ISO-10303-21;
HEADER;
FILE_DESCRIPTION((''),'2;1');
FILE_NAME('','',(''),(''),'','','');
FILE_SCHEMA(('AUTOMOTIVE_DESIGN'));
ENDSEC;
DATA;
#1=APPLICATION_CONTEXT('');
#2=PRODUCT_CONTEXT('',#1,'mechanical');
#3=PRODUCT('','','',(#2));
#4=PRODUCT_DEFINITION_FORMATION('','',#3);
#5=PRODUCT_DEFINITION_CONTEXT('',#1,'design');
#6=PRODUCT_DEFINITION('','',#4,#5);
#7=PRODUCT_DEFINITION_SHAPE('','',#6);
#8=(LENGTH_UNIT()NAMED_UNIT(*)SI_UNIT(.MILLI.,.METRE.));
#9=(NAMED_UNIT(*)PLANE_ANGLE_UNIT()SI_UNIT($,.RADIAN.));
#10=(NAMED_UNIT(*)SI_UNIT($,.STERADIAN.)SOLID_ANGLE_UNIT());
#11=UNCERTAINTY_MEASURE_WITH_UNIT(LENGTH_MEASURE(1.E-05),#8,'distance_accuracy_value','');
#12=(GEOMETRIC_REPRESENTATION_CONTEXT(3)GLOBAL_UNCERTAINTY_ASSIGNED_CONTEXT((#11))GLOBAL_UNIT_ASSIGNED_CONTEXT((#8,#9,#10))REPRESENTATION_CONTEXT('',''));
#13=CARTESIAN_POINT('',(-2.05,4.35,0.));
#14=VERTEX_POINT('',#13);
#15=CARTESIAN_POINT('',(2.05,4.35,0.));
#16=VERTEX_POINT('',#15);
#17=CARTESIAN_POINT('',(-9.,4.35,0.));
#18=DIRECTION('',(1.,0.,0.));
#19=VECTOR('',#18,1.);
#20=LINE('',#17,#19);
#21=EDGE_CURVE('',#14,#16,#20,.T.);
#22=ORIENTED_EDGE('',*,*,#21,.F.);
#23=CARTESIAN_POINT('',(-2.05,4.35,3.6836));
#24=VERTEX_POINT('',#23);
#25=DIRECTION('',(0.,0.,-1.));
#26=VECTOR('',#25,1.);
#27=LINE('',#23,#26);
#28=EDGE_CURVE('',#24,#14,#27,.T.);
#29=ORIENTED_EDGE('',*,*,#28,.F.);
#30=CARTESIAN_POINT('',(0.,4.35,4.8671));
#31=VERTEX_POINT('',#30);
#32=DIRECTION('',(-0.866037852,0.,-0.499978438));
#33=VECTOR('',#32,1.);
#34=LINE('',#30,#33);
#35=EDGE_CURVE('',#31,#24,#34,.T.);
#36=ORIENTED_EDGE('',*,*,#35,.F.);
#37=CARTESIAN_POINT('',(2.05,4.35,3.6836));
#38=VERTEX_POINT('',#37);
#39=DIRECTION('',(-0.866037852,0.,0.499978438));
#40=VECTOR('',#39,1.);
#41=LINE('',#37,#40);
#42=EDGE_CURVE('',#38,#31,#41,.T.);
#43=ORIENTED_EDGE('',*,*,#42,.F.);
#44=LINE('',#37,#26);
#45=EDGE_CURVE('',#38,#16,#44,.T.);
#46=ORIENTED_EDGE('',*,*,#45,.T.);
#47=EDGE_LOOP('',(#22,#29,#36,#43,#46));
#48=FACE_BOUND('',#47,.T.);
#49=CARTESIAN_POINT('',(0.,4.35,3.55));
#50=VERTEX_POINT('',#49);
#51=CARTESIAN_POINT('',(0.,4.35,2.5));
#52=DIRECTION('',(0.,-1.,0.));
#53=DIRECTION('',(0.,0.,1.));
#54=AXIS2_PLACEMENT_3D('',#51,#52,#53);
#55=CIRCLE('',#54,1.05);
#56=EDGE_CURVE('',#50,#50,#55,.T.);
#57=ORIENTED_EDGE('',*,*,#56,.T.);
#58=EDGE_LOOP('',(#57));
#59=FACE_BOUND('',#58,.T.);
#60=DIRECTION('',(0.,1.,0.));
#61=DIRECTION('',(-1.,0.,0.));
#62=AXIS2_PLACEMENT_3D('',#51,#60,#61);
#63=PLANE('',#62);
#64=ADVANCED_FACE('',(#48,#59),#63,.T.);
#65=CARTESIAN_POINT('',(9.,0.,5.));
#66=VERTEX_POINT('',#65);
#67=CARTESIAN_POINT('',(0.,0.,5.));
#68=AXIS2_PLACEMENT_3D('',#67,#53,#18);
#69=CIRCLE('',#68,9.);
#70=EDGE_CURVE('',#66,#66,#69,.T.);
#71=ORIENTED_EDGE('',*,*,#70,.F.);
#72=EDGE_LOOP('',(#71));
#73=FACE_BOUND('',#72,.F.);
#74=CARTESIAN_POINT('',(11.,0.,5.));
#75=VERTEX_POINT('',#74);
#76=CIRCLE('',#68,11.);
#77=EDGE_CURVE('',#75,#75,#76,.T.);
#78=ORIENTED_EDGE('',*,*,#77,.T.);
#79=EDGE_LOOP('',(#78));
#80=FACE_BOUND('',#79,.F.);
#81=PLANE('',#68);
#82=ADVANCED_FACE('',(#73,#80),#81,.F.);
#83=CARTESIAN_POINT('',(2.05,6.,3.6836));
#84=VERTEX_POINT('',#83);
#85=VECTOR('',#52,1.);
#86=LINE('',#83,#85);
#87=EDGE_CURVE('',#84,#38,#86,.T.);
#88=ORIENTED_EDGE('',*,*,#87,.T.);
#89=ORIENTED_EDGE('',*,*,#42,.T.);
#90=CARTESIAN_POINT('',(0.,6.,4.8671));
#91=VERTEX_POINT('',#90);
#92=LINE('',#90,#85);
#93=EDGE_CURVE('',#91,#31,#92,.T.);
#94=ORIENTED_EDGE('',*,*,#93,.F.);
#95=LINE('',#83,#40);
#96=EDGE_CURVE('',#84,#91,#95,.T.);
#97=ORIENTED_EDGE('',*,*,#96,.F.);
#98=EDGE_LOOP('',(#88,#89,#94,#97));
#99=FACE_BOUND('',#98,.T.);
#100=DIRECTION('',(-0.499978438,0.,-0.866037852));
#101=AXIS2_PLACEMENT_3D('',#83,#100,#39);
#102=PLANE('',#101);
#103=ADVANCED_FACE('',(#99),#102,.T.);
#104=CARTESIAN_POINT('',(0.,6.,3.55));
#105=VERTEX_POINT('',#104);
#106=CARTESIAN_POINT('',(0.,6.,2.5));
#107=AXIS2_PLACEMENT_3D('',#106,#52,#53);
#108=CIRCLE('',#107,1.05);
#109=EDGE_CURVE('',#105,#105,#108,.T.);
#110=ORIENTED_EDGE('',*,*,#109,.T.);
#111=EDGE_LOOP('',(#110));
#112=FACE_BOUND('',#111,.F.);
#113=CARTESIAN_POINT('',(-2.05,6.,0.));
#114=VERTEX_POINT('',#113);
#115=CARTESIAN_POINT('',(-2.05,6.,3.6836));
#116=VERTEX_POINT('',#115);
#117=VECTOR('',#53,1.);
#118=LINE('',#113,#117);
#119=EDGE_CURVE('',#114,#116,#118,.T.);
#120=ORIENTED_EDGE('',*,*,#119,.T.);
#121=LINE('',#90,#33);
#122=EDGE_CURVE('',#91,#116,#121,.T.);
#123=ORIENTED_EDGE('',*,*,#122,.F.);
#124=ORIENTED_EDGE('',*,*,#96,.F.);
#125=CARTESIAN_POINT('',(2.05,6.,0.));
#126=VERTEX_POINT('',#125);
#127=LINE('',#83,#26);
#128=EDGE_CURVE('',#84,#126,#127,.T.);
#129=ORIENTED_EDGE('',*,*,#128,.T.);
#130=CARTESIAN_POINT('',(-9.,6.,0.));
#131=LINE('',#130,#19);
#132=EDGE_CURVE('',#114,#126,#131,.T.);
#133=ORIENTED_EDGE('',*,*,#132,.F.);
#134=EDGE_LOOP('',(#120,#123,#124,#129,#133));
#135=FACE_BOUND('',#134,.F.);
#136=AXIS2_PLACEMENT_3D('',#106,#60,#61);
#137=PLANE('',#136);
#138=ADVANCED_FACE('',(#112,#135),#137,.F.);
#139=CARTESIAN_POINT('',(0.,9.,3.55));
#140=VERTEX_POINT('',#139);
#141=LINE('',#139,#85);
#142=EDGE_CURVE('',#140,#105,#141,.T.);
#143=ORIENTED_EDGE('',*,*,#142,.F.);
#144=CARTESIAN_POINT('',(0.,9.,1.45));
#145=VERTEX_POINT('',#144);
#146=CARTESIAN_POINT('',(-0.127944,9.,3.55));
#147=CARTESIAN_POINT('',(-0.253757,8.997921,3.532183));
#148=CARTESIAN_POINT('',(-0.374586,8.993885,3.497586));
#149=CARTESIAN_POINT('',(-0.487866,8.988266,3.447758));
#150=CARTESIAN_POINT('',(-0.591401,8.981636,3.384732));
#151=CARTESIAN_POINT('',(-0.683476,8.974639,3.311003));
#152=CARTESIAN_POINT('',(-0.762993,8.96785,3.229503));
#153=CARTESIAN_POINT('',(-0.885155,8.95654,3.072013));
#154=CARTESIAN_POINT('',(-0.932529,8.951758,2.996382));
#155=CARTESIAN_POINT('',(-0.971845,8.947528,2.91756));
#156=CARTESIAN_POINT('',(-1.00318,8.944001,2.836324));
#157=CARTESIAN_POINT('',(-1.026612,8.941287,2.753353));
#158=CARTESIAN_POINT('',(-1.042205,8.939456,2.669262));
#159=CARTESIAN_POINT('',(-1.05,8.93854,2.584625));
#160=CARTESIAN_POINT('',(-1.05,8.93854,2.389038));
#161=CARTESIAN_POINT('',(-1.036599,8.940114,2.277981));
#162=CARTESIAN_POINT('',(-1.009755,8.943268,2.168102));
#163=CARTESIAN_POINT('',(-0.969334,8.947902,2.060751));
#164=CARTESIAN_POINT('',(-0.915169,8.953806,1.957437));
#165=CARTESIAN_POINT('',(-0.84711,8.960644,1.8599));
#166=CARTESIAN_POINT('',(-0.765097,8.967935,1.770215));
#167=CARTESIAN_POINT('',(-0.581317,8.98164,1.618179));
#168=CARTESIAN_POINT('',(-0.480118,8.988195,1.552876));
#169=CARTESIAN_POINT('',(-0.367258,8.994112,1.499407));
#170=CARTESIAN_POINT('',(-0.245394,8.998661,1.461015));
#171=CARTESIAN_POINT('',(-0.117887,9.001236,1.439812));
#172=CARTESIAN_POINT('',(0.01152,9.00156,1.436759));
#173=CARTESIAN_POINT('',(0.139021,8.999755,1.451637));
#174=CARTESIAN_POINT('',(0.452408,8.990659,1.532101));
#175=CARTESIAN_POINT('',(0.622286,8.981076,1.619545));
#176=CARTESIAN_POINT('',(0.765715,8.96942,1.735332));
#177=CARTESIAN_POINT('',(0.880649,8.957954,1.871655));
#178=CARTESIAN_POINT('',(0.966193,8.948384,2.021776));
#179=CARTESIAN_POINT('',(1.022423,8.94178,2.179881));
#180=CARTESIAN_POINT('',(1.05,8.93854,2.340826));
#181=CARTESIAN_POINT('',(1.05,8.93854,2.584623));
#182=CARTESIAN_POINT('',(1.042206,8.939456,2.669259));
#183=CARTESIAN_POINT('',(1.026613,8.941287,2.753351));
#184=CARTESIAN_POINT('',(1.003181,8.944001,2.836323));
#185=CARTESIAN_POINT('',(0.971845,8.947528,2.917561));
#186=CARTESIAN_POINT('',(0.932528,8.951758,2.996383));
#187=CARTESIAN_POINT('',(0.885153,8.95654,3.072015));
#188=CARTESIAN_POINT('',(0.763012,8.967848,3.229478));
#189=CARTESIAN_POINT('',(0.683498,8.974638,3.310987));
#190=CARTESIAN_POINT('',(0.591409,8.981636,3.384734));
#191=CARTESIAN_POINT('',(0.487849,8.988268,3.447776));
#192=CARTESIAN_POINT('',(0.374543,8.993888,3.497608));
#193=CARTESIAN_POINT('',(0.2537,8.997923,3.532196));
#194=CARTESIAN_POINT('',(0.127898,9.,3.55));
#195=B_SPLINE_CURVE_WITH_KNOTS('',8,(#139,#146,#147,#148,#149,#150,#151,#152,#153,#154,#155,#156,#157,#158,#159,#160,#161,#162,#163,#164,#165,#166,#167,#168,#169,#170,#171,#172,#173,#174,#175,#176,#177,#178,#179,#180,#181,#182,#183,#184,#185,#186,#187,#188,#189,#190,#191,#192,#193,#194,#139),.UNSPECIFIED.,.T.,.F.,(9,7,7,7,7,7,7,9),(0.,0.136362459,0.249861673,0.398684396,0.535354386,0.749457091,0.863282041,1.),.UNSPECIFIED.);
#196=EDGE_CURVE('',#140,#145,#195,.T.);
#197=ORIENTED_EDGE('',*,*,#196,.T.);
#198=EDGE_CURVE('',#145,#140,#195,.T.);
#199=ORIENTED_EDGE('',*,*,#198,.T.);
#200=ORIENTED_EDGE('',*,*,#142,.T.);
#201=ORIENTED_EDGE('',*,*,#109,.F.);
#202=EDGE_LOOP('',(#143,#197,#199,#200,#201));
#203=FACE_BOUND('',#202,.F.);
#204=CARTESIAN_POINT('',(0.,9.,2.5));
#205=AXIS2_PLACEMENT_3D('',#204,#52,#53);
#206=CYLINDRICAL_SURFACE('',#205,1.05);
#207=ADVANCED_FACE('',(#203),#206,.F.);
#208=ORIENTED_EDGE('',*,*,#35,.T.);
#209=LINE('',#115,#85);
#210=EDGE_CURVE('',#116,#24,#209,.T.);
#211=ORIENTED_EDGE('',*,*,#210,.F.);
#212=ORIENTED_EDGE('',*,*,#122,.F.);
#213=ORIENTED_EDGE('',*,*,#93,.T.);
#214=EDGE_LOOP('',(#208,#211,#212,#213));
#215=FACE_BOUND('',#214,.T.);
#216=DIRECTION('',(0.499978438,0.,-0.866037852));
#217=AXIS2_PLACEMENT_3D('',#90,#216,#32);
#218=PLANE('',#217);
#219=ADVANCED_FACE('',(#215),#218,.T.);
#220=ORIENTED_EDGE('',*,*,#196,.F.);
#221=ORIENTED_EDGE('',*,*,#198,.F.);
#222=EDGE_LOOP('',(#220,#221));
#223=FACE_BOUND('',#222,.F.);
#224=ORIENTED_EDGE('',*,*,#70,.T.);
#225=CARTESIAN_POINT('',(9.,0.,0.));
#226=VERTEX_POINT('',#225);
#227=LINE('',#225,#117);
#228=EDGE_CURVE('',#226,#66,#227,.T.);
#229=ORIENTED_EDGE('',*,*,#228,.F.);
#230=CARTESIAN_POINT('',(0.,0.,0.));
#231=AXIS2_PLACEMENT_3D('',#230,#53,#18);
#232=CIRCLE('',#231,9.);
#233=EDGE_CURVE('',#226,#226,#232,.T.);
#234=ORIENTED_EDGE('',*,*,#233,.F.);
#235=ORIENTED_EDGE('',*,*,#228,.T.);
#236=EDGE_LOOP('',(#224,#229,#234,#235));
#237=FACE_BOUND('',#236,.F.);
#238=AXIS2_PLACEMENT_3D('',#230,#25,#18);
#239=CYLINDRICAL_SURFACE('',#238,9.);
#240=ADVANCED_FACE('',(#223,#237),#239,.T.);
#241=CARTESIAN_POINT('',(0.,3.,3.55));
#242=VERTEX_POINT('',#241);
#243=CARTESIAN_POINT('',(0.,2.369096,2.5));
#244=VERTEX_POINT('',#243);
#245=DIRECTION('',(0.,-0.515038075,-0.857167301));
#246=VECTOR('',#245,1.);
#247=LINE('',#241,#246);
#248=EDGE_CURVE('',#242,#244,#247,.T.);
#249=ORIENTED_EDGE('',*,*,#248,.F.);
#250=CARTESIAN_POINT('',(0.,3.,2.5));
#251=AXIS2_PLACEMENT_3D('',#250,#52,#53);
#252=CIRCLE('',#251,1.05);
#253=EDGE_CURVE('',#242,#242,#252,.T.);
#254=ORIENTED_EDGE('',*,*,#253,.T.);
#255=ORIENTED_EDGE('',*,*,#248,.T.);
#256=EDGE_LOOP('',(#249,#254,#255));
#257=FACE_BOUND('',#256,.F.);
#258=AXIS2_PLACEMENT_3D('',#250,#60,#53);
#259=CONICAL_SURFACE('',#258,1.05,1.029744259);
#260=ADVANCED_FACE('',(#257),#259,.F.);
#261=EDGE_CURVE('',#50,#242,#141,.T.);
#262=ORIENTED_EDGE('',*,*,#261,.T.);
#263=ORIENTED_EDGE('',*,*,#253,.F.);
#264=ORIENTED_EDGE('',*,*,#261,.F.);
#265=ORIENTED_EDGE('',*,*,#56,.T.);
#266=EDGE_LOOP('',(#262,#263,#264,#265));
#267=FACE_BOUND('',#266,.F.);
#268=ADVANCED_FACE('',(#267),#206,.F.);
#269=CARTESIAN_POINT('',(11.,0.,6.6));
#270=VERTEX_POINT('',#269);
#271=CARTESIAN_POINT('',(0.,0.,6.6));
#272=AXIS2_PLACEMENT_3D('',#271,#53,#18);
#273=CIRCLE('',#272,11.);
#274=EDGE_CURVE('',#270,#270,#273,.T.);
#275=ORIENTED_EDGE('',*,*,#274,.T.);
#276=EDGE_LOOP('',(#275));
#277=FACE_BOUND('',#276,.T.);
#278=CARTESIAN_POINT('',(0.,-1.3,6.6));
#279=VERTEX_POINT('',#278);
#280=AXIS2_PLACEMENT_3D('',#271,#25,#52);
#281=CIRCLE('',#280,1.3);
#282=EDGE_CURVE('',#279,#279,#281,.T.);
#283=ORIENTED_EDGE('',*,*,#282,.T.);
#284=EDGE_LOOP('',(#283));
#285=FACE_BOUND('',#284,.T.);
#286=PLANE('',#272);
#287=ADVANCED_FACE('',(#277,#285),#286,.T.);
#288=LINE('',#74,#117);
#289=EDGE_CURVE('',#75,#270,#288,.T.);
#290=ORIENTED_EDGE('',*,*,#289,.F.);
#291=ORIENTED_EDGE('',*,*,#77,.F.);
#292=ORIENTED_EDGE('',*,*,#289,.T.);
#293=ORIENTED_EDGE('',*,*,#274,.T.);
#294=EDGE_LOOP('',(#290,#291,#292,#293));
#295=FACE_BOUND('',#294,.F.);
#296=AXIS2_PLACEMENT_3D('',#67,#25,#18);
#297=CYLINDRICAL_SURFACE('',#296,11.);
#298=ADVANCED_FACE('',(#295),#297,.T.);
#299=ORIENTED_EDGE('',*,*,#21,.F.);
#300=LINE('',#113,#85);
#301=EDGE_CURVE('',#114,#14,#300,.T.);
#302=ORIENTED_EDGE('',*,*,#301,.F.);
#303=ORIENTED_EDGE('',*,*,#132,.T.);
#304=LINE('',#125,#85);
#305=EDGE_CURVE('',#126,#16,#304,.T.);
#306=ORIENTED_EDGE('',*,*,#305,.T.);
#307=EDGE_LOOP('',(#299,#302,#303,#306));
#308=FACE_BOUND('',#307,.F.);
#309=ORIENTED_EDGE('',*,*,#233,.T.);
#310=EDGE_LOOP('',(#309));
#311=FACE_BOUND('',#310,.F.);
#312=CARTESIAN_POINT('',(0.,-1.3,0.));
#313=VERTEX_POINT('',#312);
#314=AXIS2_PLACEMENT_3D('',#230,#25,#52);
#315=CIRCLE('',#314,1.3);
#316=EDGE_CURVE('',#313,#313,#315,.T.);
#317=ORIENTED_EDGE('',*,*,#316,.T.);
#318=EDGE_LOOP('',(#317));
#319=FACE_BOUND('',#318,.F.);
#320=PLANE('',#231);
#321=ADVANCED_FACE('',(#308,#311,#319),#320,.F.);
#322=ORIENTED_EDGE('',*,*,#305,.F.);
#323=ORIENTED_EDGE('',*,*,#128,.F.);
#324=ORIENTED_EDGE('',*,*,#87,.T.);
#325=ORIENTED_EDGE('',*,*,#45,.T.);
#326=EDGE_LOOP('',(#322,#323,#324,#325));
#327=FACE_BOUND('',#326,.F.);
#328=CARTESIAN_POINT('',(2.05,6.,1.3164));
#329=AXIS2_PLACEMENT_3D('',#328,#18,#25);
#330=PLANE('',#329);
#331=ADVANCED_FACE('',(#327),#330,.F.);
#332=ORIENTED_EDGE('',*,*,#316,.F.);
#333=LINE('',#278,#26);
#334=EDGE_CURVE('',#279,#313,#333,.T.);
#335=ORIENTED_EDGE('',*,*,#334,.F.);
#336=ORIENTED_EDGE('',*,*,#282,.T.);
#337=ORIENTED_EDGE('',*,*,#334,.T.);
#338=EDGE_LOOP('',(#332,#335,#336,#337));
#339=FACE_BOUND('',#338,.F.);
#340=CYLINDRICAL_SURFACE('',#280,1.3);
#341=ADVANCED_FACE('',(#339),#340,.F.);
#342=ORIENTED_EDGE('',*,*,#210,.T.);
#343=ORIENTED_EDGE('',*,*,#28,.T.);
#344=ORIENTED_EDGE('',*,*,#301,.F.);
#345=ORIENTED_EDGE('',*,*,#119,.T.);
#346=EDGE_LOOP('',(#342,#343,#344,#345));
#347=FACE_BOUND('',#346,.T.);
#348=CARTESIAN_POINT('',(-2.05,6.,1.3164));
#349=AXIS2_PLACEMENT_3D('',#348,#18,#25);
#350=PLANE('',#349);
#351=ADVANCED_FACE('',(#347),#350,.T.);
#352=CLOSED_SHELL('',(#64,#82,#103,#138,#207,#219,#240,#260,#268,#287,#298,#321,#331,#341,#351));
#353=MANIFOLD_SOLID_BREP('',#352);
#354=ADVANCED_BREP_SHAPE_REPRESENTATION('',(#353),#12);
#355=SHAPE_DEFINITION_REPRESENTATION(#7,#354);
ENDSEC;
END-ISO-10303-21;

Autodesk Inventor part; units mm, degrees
ref_plane "YZ Plane" through (0, 0, 0) normal (1, 0, 0) x (0, 1, 0)
ref_plane "XY Plane" through (0, 0, 0) normal (0, 0, 1) x (1, 0, 0)
sketch "Sketch1" plane through (0, 0, 0) normal (0, 0, 1) x (1, 0, 0)
  circle A0 centre (0, 0) radius 9
  dimension "d0" = 18
extrude "Extrusion1" add sketch "Sketch1" along normal blind 5
sketch "Sketch2" plane through (0, 0, 5) normal (0, 0, 1) x (1, 0, 0)
  circle A0 centre (0, 0) radius 11
  circle A1 centre (0, 0) radius 9 projected
  dimension "d3" = 2
extrude "Extrusion2" add sketch "Sketch2" along normal blind 1.6 contours A0 | A1
ref_plane "Work Plane1" through (0, 0, 2.5) normal (0, 0, 1) x (1, 0, 0)
sketch "Sketch3" plane through (0, 0, 2.5) normal (0, 0, 1) x (1, 0, 0)
  circle A0 centre (0, 0) radius 9 projected
  point P0 (0, 9)
ref_plane "Work Plane2" through (0, 9, 2.5) normal (0, 1, 0) x (-1, 0, 0)
sketch "Sketch4" plane through (0, 9, 2.5) normal (0, 1, 0) x (-1, 0, 0)
  point P0 (0, -2.5)
  point P1 (0, 0)
hole "Hole1" at (0, 9, 2.5) direction (0, -1, 0) diameter 2.1 depth 6 tip angle 118 clearance for "Socket Head Cap Screw ISO 4762" size "M2" standard "ISO"
ref_plane "Work Plane3" through (0, 6, 2.5) normal (0, 1, 0) x (-1, 0, 0)
sketch "Sketch5" plane through (0, 6, 2.5) normal (0, 1, 0) x (-1, 0, 0)
  circle A0 centre (0, 0) radius 1.05 projected
  line L0 (2.05, 1.1836) -> (2.05, -1.1836)
  line L1 (2.05, -1.1836) -> (0, -2.3671) construction
  line L2 (0, -2.3671) -> (-2.05, -1.1836) construction
  line L3 (-2.05, -1.1836) -> (-2.05, 1.1836)
  line L4 (-2.05, 1.1836) -> (0, 2.3671)
  line L5 (0, 2.3671) -> (2.05, 1.1836)
  line L6 (2.05, -1.1836) -> (2.05, -2.5)
  line L7 (9, -2.5) -> (-9, -2.5) projected
  line L8 (-2.05, -1.1836) -> (-2.05, -2.5)
  point P0 (0, -2.5)
  dimension "d14" = 4.1
extrude "Extrusion3" cut sketch "Sketch5" against normal blind 1.65
sketch "Sketch6" plane through (0, 0, 6.6) normal (0, 0, 1) x (1, 0, 0)
  circle A0 centre (0, 0) radius 3.0931 construction
hole "Hole3" at (0, 0, 6.6) direction (0, 0, -1) diameter 2.6 end through all clearance for "Socket Head Cap Screw ISO 4762" size "M2.5" standard "ISO"
properties part number "Encoder_Mount3_Wheel"
